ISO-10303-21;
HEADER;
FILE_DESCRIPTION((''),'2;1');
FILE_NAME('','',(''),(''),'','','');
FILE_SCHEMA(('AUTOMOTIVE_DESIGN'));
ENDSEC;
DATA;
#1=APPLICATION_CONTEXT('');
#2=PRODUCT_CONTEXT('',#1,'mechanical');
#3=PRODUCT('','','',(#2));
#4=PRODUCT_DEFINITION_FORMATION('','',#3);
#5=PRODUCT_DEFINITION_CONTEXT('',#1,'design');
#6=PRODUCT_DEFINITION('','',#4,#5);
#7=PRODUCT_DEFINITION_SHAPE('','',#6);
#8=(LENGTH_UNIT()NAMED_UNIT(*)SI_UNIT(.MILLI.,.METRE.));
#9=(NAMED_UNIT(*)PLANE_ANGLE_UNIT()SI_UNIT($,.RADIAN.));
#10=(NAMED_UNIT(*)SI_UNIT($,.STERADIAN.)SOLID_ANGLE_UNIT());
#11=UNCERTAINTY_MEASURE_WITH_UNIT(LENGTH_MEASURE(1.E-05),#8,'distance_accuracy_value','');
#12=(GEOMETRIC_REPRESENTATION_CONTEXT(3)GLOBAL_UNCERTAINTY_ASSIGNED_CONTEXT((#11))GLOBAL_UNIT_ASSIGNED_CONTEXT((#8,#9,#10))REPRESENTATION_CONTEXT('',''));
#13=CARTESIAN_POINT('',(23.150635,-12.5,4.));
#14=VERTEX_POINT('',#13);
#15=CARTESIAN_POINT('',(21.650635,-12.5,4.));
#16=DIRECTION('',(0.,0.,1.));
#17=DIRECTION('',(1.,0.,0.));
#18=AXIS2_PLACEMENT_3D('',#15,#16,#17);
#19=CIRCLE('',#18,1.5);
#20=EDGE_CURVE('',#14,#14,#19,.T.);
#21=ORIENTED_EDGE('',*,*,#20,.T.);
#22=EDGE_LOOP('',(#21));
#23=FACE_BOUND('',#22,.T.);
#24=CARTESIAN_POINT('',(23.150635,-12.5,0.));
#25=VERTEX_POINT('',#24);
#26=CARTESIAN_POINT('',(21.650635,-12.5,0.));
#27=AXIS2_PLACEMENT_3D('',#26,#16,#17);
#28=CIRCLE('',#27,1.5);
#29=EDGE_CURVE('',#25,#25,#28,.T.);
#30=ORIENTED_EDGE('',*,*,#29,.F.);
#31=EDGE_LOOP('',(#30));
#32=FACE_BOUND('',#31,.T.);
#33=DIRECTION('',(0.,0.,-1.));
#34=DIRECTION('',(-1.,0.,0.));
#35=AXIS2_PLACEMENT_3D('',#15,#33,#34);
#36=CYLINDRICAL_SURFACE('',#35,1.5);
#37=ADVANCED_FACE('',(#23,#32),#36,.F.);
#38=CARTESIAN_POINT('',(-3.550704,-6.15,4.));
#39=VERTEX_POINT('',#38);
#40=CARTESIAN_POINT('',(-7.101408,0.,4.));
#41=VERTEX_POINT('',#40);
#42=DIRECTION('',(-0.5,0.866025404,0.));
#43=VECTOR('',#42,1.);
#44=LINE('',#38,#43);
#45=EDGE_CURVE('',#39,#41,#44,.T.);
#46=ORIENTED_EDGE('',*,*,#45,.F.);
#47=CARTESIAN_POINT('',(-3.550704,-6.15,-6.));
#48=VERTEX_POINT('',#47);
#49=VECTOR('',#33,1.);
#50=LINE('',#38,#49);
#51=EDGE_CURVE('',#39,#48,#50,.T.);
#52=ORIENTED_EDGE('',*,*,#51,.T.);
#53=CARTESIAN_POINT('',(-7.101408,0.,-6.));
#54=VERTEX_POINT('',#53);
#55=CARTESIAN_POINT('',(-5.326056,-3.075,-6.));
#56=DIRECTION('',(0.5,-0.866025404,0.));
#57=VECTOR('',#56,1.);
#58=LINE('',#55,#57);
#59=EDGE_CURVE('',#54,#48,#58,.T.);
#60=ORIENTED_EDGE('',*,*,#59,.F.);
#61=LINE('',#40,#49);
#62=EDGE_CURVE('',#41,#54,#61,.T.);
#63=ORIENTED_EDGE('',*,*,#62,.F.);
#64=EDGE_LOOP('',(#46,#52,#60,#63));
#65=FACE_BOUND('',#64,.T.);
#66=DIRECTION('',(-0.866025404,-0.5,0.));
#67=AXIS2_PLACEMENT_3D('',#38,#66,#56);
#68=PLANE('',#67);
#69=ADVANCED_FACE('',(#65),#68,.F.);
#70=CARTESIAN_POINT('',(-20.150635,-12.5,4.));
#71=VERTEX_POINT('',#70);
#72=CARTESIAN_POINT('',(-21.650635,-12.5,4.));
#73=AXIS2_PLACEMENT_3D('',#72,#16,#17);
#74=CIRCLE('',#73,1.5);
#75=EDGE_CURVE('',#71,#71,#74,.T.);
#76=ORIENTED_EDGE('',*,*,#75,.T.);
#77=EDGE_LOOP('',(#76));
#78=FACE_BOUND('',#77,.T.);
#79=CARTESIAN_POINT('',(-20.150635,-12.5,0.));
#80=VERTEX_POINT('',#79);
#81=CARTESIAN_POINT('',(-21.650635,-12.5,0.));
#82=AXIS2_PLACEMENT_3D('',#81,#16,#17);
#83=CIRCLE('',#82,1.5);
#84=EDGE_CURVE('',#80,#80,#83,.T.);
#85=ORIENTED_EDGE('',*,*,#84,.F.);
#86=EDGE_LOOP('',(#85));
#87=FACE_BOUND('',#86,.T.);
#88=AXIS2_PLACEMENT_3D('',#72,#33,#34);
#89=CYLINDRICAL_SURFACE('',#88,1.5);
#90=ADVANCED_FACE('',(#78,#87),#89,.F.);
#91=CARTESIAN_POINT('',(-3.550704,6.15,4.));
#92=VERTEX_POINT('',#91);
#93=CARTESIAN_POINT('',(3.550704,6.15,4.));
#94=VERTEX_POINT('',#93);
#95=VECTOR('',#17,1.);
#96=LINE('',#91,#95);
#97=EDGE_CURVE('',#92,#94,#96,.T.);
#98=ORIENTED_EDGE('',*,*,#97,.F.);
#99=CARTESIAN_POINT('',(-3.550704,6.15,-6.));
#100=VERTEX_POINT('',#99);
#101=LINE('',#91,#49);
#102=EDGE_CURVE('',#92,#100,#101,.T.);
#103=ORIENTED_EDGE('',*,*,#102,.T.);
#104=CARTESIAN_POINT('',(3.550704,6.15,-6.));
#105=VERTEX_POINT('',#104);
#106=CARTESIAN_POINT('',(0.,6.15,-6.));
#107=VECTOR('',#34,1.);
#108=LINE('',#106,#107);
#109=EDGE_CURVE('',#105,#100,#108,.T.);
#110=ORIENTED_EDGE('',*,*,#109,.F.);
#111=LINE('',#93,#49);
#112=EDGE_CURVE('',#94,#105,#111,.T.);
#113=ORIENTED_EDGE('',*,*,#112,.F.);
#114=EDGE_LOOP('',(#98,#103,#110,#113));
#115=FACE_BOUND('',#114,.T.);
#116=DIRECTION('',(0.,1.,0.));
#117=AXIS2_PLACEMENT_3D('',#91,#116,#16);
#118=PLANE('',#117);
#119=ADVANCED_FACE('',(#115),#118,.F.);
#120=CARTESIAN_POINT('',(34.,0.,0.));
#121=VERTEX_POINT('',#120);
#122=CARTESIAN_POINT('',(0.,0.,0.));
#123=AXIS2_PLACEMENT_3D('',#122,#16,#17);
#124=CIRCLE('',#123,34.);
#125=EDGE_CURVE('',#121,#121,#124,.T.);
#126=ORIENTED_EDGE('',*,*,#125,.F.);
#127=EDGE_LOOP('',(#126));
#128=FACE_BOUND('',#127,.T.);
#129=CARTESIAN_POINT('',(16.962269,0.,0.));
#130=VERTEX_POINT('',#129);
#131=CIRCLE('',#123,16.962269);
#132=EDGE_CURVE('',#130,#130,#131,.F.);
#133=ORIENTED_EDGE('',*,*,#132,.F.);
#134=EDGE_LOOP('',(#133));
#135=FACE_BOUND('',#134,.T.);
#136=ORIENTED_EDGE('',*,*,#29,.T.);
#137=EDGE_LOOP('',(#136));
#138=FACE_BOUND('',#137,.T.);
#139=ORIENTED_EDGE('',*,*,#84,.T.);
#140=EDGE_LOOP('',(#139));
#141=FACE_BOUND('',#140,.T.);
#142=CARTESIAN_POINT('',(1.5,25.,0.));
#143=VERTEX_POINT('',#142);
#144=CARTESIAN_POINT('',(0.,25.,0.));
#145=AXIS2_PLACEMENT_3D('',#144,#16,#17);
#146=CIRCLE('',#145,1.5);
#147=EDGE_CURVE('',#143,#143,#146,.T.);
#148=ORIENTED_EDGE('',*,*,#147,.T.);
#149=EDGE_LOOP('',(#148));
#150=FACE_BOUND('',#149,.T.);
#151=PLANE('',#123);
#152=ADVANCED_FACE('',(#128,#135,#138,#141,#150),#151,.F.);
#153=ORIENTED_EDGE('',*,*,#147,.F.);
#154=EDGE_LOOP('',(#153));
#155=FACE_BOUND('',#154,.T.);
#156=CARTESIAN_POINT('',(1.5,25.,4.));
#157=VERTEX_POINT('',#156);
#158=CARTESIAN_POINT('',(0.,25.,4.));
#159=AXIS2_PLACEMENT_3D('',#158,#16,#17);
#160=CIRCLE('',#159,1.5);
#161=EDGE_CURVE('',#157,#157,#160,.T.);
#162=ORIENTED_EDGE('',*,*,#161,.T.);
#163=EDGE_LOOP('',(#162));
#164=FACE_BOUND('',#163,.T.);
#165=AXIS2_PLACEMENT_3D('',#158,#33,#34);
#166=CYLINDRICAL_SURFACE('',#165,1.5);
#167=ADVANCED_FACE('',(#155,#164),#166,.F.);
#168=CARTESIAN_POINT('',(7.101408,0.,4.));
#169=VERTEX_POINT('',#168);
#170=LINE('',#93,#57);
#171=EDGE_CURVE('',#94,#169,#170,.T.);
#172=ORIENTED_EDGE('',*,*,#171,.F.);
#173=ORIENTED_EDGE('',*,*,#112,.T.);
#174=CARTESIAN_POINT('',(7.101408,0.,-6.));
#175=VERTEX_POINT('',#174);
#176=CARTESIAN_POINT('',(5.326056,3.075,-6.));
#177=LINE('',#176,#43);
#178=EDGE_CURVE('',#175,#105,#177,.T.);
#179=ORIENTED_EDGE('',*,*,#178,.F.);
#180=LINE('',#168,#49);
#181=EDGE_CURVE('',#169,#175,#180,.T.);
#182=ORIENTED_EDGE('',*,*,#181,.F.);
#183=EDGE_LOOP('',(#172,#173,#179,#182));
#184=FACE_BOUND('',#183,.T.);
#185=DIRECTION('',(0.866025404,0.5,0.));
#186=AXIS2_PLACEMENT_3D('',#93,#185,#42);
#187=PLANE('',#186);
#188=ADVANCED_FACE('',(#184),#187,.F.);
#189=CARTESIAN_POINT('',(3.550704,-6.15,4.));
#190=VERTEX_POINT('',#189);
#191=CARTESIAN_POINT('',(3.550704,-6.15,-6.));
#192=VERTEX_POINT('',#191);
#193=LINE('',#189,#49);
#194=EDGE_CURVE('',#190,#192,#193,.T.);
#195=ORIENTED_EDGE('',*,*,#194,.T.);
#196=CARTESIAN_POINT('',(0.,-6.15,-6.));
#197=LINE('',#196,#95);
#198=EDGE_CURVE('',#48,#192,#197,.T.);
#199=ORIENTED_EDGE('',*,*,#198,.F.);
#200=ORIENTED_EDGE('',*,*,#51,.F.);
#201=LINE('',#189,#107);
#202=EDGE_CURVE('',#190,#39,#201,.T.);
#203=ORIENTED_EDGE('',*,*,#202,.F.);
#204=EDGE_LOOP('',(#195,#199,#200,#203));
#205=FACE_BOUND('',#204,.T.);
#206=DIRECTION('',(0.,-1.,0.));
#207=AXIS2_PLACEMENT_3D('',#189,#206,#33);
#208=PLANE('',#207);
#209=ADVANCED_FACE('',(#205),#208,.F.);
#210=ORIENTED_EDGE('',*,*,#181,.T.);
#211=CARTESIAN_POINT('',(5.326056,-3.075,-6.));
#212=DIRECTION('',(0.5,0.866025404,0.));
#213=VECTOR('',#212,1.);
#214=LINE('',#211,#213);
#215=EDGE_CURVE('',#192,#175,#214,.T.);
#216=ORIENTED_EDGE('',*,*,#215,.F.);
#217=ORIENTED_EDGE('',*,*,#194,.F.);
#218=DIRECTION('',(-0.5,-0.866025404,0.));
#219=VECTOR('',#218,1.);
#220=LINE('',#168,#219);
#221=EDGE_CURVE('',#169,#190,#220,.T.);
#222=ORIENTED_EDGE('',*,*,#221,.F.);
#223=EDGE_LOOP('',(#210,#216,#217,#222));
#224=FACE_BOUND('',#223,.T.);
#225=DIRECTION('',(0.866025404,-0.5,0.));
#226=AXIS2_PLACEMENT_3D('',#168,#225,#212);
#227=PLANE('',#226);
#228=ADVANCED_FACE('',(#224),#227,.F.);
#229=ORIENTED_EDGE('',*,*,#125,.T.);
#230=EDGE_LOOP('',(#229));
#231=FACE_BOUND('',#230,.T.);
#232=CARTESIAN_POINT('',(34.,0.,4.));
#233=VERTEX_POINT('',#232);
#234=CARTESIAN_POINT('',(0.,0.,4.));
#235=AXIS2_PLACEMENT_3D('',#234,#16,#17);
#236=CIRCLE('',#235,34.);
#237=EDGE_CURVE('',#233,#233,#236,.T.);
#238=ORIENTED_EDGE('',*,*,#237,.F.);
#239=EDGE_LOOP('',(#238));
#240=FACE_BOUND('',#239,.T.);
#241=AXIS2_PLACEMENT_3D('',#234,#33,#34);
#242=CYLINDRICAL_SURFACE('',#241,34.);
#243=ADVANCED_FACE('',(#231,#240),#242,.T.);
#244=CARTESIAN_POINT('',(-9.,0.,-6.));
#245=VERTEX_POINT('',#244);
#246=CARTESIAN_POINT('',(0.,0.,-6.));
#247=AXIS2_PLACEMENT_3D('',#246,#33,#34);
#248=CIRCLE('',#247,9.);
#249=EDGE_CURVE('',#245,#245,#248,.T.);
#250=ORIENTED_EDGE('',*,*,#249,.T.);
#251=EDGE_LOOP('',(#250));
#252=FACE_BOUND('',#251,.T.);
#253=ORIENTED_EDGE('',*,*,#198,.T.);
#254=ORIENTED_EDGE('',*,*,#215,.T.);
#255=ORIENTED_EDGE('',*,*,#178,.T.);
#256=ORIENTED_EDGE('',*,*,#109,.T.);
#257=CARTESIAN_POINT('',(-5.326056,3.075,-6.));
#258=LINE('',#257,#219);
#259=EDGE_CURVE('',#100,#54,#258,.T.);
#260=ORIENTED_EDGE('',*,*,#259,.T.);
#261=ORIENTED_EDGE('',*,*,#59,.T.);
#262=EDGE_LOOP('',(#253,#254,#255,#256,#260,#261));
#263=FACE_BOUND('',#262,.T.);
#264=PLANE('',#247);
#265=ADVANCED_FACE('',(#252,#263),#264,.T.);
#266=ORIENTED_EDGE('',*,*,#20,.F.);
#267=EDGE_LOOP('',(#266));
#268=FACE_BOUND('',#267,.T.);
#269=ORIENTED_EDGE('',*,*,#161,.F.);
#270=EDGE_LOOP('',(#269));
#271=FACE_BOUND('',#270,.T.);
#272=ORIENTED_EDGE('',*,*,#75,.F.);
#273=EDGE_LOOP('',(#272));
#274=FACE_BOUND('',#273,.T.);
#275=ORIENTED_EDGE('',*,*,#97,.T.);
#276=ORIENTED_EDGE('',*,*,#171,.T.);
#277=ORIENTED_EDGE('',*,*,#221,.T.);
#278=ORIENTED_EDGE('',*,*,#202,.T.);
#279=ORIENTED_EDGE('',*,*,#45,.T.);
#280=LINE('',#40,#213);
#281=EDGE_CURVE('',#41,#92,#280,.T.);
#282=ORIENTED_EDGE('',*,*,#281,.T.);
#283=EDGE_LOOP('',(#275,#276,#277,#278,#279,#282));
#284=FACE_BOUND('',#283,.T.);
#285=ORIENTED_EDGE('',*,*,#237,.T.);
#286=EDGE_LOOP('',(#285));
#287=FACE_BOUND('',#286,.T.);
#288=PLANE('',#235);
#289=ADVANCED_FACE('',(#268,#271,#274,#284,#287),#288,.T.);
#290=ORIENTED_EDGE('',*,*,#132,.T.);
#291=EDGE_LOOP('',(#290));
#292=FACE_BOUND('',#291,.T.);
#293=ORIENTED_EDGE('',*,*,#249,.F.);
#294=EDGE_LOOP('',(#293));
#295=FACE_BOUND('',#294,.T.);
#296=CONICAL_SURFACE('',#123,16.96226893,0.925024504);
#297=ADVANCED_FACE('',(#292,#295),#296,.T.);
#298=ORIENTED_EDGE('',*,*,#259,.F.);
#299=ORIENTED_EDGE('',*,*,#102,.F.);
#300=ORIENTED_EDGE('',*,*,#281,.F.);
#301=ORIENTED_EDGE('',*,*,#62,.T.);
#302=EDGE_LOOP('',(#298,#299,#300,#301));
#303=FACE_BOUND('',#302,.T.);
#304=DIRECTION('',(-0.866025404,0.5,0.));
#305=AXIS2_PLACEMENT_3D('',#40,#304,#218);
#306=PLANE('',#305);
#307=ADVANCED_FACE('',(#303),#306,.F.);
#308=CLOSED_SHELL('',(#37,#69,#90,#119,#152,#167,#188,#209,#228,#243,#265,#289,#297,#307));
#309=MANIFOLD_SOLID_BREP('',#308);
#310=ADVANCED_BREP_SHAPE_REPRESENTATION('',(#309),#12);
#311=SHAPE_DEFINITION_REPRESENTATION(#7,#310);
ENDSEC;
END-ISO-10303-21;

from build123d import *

# Parameters (mm, degrees)
CROQUIS1_R              = 34
CROQUIS1_R_2            = 1.5
SALIENTE_EXTRUIR1_DEPTH = 4
CORTAR_EXTRUIR1_DEPTH   = 4
SALIENTE_EXTRUIR2_START = 6
CROQUIS3_R              = 9
CROQUIS3_R_2            = 1.5
SALIENTE_EXTRUIR2_DEPTH = 6


with BuildPart() as part:
    # Croquis1 → Saliente-Extruir1 (new body)
    with BuildSketch(Plane.XY):
        Circle(CROQUIS1_R)
        with Locations((0, 25)):
            Circle(CROQUIS1_R_2, mode=Mode.SUBTRACT)
        with Locations((21.650635095, -12.5)):
            Circle(CROQUIS1_R_2, mode=Mode.SUBTRACT)
        with Locations((-21.650635095, -12.5)):
            Circle(CROQUIS1_R_2, mode=Mode.SUBTRACT)
    extrude(amount=SALIENTE_EXTRUIR1_DEPTH)

    # Croquis2 → Cortar-Extruir1 (cut)
    with BuildSketch(Plane(origin=(0, 0, 0), x_dir=(-1, 0, 0), z_dir=(0, 0, -1))):
        Polygon((3.550704156, 6.15), (-3.550704156, 6.15), (-7.101408311, 0), (-3.550704156, -6.15), (3.550704156, -6.15), (7.101408311, 0), align=None)
    extrude(amount=-CORTAR_EXTRUIR1_DEPTH, mode=Mode.SUBTRACT)

    # Croquis3 → Saliente-Extruir2 (add)
    # profile 1 of 4: a face of its own
    with BuildSketch(Plane(origin=(0, 0, 0), x_dir=(-1, 0, 0), z_dir=(0, 0, -1)).offset(SALIENTE_EXTRUIR2_START)):
        with Locations(Location((0, 0, 0), (0, 0, 180))):
            Circle(CROQUIS3_R)
        Polygon((-7.101408311, 0), (-3.550704156, 6.15), (3.550704156, 6.15), (7.101408311, 0), (3.550704156, -6.15), (-3.550704156, -6.15), align=None, mode=Mode.SUBTRACT)
    # profile 2 of 4: a face of its own
    with BuildSketch(Plane(origin=(0, 0, 0), x_dir=(-1, 0, 0), z_dir=(0, 0, -1)).offset(SALIENTE_EXTRUIR2_START)):
        with Locations(Location((0, 25, 0), (0, 0, 180))):
            Circle(CROQUIS3_R_2)
    # profile 3 of 4: a face of its own
    with BuildSketch(Plane(origin=(0, 0, 0), x_dir=(-1, 0, 0), z_dir=(0, 0, -1)).offset(SALIENTE_EXTRUIR2_START)):
        with Locations(Location((-21.650635095, -12.5, 0), (0, 0, 180))):
            Circle(CROQUIS3_R_2)
    # profile 4 of 4: a face of its own
    with BuildSketch(Plane(origin=(0, 0, 0), x_dir=(-1, 0, 0), z_dir=(0, 0, -1)).offset(SALIENTE_EXTRUIR2_START)):
        with Locations(Location((21.650635095, -12.5, 0), (0, 0, 180))):
            Circle(CROQUIS3_R_2)
    extrude(amount=-SALIENTE_EXTRUIR2_DEPTH)


with BuildPart() as saliente_extruir2_kept_piece:
    # of the separate pieces the step leaves, the one the design keeps (saliente_extruir2_pieces_kept)
    add(part.part.solids().sort_by_distance((34, 0, 0))[0])

    # Croquis4 → Revolución1 (revolve)
    with BuildSketch(Plane(origin=(0, 0, 0), x_dir=(1, 0, 0), z_dir=(0, 1, 0))):
        Polygon((9, 6), (9, 0), (16.96226893, 0), align=None)
    revolve(axis=Axis((0, 0, -12.759887465), (0, 0, 1)))


solid = saliente_extruir2_kept_piece.part
